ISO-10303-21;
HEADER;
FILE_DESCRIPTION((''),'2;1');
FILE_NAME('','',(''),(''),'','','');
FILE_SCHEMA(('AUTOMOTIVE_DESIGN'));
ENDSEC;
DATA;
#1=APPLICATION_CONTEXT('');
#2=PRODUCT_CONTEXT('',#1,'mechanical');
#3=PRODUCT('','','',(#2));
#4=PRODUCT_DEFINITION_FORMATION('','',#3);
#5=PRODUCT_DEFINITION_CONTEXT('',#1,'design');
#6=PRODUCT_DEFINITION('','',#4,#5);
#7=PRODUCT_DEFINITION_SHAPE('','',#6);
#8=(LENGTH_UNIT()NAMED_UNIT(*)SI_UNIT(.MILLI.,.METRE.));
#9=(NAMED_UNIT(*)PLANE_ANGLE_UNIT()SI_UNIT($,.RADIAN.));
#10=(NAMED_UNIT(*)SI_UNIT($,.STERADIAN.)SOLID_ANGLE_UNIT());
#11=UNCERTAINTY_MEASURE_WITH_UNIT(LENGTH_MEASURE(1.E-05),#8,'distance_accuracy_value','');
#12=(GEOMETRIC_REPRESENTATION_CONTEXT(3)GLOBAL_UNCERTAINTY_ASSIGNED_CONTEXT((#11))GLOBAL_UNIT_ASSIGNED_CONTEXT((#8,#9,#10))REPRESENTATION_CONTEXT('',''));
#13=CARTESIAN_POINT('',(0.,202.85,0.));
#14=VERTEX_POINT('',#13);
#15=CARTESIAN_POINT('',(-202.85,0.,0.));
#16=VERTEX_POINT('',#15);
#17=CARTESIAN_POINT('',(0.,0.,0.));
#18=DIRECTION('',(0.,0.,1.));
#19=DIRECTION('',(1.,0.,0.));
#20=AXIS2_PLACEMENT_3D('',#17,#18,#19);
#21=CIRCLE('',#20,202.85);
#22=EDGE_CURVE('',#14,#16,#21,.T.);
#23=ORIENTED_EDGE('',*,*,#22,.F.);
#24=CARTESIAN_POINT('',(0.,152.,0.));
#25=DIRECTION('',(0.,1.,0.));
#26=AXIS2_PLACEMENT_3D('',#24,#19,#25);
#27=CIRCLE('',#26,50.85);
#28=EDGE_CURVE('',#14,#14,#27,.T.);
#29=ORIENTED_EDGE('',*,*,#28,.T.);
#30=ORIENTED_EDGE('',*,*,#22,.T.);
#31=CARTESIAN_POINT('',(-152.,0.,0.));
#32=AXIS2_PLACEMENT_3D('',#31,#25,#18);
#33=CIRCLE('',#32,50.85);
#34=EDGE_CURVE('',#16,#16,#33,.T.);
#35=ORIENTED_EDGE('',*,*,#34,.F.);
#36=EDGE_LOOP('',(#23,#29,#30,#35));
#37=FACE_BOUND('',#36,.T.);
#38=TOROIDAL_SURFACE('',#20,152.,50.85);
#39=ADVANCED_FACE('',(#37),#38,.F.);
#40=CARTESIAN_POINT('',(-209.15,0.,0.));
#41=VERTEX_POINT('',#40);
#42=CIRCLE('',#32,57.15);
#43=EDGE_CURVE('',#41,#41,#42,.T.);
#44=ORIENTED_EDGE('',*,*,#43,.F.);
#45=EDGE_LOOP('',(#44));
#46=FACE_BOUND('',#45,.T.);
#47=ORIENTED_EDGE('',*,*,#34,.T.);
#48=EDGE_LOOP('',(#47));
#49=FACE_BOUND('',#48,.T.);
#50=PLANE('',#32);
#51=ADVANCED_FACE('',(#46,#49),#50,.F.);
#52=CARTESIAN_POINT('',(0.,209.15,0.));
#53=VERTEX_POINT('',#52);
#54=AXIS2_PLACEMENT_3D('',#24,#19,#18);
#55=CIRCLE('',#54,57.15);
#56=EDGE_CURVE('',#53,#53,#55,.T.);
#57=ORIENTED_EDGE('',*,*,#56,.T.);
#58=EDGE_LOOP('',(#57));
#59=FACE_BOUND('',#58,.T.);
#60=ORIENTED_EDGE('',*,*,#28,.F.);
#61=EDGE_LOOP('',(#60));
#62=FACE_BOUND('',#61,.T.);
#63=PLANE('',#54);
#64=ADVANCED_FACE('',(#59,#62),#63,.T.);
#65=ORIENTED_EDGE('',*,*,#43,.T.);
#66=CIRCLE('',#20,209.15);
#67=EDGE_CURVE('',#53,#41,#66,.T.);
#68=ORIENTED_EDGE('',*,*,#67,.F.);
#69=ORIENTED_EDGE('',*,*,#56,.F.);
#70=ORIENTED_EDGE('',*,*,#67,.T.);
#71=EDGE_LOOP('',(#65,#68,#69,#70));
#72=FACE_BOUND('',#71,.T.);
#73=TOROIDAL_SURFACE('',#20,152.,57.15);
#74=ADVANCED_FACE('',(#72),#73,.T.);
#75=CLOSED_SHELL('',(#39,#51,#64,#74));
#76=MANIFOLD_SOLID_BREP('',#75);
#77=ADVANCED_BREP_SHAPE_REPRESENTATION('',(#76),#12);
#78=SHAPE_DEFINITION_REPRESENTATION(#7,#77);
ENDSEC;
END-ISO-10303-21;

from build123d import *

# Parameters (mm, degrees)
LEITUNG_R   = 57.15
LEITUNG_R_2 = 50.85


with BuildPart() as part:
    # Austragung-D_nn1: sweep along a path in RohrBogen
    with BuildLine(Plane.XY) as austragung_d_nn1_path:
        ThreePointArc((-152, 0), (-107.48023074, 107.48023074), (0, 152))
    # Leitung → Austragung-D_nn1 (sweep)
    with BuildSketch(Plane(origin=(0, 0, 0), x_dir=(1, 0, 0), z_dir=(0, 1, 0))):
        with Locations((-152, 0)):
            Circle(LEITUNG_R)
        with Locations((-152, 0)):
            Circle(LEITUNG_R_2, mode=Mode.SUBTRACT)
    sweep(path=austragung_d_nn1_path.line)


solid = part.part
